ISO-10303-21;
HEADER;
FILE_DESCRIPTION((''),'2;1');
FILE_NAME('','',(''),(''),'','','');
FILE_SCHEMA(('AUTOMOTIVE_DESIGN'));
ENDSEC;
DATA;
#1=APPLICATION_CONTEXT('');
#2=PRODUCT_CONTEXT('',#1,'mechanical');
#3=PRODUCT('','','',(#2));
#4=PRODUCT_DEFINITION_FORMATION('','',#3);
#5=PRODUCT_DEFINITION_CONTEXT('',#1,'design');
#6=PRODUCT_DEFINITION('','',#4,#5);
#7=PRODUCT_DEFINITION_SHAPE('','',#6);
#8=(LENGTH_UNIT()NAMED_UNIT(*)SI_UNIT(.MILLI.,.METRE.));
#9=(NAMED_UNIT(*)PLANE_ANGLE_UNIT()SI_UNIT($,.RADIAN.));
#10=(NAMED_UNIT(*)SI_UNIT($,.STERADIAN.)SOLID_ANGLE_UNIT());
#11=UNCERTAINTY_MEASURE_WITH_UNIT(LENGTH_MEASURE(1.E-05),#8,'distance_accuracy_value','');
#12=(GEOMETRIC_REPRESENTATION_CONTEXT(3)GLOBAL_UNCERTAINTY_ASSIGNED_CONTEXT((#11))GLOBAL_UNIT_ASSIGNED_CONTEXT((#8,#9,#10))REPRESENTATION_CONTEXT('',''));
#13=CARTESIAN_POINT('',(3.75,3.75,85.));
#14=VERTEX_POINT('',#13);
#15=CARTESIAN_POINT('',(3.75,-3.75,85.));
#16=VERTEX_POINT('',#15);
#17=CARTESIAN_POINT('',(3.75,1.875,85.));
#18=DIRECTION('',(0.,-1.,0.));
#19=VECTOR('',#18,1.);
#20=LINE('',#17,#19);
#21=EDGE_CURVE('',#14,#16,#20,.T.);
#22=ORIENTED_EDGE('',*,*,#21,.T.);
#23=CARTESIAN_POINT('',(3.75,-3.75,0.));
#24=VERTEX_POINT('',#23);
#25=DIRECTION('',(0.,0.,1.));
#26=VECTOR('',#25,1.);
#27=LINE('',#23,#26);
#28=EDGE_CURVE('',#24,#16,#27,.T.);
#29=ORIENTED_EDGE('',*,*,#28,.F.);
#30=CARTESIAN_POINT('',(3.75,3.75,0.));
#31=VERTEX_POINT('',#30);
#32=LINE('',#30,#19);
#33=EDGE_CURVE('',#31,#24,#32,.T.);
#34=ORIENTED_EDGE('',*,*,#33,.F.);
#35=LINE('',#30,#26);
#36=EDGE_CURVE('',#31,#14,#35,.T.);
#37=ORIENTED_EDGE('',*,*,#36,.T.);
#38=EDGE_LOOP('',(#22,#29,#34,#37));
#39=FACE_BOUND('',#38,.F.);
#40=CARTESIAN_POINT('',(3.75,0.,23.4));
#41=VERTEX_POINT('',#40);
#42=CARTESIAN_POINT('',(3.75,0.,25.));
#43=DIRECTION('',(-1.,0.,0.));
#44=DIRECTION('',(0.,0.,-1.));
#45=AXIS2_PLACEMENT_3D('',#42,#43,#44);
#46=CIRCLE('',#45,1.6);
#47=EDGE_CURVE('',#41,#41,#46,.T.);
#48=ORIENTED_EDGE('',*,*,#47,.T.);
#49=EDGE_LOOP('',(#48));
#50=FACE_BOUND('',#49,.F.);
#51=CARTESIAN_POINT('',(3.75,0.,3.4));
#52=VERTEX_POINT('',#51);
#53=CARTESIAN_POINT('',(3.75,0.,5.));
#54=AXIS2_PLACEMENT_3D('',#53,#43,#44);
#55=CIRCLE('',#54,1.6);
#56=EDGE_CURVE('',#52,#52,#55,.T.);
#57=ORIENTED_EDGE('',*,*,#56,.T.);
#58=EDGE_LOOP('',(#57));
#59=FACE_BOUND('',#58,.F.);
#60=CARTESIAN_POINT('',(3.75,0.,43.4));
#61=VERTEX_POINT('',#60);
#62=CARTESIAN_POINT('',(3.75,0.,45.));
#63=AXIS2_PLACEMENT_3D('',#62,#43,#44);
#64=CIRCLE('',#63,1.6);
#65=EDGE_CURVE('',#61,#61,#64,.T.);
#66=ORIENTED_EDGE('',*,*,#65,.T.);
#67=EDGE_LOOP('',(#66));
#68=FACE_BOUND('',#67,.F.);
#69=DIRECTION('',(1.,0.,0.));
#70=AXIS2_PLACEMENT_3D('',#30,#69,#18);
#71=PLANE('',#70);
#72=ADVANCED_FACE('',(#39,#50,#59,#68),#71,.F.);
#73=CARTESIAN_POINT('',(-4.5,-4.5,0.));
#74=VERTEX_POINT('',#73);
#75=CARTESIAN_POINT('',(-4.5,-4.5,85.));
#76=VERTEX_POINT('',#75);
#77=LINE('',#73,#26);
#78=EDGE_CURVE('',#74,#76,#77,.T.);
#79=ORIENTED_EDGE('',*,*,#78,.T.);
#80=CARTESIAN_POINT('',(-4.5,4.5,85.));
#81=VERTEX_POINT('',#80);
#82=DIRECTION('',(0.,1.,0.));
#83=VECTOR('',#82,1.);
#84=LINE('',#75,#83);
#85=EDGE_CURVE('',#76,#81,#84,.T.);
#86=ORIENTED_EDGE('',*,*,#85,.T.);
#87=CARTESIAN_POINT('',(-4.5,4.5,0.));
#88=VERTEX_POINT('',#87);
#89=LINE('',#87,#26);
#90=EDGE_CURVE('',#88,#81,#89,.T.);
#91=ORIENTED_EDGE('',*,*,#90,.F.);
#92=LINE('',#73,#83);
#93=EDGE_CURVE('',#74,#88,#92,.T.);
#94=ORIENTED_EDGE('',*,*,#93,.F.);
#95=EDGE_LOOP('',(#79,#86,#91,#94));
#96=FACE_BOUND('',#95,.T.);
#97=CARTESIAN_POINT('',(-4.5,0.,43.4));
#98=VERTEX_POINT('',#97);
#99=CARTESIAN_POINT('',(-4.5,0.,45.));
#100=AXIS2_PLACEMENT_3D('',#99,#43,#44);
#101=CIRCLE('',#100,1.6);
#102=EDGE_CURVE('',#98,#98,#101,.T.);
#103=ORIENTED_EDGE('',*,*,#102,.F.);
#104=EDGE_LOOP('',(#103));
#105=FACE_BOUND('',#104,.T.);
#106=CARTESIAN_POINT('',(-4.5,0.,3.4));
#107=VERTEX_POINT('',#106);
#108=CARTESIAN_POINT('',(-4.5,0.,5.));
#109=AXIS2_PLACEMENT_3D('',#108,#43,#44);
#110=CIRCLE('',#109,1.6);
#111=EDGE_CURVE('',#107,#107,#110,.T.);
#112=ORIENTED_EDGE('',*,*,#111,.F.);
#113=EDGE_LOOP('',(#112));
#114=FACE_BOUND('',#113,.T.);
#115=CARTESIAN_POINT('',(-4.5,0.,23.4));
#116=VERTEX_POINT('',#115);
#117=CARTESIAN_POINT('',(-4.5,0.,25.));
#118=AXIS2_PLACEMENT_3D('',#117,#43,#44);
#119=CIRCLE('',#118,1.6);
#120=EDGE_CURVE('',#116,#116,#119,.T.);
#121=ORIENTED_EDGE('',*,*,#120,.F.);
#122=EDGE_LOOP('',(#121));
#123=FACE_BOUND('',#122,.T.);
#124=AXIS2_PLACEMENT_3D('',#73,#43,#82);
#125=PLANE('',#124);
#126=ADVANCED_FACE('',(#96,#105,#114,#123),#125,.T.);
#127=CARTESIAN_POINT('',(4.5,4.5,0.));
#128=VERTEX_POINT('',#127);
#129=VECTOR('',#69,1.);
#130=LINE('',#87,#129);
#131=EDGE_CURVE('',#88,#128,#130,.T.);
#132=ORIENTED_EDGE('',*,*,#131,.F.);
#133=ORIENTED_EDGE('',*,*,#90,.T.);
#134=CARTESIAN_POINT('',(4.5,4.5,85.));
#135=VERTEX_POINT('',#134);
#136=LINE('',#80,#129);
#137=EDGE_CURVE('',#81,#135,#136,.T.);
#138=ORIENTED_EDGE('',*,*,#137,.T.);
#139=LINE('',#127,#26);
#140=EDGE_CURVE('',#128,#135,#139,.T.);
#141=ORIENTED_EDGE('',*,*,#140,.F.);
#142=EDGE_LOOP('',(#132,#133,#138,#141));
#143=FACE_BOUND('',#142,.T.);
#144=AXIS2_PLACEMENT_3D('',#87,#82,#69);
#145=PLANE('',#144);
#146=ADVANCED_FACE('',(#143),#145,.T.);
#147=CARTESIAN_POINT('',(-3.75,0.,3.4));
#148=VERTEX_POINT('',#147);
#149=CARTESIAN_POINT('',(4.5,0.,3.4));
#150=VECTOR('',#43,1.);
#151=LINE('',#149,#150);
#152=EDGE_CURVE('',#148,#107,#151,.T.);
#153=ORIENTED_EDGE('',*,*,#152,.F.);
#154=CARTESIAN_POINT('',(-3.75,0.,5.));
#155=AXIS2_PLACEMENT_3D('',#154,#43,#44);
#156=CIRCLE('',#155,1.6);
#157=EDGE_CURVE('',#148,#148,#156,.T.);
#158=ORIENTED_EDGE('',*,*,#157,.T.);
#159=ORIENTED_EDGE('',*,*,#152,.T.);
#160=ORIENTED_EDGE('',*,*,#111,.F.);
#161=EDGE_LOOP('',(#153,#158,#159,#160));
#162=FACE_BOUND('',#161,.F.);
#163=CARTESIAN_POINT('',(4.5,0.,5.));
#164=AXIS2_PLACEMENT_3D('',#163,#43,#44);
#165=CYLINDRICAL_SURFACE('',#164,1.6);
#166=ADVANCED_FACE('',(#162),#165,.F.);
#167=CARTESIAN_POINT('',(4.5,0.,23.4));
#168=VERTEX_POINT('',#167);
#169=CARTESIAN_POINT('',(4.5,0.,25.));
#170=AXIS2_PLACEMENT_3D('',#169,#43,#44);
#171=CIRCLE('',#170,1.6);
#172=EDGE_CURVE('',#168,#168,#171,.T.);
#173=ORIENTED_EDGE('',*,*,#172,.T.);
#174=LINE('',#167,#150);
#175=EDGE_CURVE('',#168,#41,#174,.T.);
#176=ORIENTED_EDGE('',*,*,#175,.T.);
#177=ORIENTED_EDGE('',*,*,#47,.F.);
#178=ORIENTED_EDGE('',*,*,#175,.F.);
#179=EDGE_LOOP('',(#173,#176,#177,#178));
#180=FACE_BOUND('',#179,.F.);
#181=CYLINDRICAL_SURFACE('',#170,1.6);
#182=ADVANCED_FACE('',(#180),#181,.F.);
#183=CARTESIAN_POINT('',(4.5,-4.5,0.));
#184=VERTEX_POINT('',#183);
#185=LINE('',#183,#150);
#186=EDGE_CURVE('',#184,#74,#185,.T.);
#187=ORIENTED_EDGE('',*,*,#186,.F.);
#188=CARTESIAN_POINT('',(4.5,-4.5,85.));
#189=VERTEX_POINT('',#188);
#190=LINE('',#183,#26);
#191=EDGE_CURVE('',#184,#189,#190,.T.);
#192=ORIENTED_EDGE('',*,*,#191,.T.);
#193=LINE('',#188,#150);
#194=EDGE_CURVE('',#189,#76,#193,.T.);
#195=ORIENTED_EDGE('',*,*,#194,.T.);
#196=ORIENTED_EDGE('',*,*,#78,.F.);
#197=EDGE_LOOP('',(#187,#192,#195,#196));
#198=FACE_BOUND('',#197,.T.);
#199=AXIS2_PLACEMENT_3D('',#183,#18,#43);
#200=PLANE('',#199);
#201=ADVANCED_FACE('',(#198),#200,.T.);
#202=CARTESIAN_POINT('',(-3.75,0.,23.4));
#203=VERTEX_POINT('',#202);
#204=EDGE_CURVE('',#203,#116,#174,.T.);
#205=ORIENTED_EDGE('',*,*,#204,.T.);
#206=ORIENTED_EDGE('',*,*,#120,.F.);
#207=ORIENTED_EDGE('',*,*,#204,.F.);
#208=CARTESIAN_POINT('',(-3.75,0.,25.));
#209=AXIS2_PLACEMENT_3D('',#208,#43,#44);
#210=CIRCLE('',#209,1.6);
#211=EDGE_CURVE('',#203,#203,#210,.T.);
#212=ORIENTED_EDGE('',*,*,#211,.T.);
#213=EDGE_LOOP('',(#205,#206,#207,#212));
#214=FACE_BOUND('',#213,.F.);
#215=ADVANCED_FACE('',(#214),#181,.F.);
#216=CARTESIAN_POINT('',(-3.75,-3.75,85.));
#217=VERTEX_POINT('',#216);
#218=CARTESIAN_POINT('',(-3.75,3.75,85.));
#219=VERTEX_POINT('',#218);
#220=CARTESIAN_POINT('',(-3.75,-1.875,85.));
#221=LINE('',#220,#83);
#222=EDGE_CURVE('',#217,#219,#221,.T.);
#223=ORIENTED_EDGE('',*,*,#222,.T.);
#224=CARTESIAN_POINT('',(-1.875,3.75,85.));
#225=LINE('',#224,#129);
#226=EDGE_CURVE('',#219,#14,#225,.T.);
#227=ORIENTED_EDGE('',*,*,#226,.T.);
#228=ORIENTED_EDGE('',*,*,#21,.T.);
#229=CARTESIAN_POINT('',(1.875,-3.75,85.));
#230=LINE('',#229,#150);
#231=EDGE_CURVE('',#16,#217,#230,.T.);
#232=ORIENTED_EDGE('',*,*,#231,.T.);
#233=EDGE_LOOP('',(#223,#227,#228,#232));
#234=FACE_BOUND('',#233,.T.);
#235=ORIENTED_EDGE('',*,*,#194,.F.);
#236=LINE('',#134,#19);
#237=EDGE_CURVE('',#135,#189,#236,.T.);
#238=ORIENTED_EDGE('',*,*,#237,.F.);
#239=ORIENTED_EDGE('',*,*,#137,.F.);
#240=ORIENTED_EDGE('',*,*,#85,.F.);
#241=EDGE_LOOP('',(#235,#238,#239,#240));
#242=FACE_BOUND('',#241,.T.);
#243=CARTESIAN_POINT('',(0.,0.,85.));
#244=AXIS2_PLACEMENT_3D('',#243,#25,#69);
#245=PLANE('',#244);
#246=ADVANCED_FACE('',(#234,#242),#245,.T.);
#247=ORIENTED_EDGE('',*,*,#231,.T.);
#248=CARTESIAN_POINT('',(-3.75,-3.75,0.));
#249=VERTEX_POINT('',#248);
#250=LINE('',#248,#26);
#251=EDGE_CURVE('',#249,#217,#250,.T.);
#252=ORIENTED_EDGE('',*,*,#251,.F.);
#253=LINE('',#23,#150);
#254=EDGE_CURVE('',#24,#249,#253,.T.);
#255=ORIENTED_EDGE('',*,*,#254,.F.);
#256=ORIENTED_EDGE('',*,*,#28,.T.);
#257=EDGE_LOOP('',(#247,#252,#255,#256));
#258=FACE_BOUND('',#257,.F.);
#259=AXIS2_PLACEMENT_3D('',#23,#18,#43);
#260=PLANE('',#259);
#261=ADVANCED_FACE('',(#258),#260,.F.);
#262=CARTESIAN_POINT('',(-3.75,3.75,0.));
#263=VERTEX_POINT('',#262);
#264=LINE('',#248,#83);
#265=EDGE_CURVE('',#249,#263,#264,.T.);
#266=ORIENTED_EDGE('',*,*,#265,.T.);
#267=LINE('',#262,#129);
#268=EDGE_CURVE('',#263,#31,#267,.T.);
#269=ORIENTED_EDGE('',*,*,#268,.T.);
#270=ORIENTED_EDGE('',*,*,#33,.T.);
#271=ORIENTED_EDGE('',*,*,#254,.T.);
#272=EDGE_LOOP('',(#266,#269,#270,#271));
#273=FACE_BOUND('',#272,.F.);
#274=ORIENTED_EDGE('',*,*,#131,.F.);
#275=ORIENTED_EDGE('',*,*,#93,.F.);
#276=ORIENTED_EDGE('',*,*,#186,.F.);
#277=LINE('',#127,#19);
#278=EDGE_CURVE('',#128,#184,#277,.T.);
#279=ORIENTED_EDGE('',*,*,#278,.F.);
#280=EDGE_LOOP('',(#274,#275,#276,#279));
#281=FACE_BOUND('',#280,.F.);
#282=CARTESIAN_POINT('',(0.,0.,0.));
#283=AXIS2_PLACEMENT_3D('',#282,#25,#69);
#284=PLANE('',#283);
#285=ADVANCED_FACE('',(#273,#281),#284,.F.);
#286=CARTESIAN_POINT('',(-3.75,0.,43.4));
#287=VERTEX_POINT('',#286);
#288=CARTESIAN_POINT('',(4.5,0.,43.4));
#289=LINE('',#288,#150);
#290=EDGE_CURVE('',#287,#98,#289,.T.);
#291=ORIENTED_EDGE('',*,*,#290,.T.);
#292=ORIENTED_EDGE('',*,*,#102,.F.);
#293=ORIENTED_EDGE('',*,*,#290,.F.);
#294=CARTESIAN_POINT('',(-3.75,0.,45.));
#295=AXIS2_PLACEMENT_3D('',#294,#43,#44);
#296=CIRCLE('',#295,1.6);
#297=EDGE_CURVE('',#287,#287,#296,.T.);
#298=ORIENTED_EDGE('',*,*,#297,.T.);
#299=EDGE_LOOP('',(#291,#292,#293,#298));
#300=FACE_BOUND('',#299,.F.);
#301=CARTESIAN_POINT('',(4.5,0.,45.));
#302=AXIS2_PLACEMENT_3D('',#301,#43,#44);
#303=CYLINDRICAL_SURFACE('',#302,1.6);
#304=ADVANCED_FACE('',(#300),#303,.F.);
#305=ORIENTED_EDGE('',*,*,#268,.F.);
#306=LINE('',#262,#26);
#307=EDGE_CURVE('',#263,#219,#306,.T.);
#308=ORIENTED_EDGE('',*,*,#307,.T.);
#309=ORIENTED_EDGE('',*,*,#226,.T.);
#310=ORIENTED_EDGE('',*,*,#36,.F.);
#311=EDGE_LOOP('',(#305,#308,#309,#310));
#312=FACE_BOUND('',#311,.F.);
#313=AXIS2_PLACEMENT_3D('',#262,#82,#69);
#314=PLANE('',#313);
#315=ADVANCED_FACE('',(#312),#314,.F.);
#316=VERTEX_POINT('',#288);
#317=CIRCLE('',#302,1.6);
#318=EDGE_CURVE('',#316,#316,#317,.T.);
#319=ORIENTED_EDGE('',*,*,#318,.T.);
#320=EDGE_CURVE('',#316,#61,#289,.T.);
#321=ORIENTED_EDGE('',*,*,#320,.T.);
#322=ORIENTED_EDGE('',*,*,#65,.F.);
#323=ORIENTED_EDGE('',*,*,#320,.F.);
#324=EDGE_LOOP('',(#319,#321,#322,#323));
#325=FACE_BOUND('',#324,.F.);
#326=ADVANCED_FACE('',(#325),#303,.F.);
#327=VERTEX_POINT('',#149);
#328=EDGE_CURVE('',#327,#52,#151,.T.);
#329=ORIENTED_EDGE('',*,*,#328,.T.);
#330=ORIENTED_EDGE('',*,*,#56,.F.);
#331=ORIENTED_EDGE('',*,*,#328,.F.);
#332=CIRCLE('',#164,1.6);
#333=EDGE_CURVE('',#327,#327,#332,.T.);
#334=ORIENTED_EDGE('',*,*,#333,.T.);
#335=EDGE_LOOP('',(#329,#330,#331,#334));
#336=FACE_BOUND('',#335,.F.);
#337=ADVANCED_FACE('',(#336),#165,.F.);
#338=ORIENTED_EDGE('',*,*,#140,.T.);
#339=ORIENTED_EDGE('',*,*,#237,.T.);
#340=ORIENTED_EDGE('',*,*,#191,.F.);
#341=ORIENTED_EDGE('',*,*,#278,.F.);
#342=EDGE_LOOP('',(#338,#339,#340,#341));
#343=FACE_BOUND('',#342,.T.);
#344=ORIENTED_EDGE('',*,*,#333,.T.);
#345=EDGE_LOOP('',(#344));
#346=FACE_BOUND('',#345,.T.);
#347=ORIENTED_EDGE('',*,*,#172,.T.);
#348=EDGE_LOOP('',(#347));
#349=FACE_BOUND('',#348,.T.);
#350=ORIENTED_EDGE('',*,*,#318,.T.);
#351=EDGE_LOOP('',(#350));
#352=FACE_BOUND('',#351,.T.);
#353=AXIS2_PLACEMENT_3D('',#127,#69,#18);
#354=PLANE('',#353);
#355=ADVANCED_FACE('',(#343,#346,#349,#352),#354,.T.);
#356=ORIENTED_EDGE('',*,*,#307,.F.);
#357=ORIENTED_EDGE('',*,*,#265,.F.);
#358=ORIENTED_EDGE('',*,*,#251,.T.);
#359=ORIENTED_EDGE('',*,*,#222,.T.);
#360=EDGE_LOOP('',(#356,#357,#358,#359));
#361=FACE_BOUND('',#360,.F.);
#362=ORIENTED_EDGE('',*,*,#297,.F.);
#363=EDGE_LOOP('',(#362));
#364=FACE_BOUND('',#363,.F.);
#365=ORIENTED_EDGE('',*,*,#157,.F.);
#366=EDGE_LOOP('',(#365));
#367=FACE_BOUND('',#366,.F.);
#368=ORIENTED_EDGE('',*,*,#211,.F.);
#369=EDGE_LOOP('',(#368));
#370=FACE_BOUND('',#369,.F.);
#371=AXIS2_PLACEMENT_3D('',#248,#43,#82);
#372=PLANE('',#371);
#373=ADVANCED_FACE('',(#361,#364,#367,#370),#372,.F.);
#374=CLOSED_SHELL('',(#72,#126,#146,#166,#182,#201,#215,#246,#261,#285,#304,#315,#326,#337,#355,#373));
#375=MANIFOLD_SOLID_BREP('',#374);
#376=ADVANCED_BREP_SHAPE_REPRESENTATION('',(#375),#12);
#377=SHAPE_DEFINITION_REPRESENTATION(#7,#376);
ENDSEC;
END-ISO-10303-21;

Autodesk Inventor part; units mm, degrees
ref_plane "YZ Plane" through (0, 0, 0) normal (1, 0, 0) x (0, 1, 0)
ref_plane "XZ Plane" through (0, 0, 0) normal (0, 1, 0) x (-1, 0, 0)
ref_plane "XY Plane" through (0, 0, 0) normal (0, 0, 1) x (1, 0, 0)
sketch "スケッチ1" plane through (0, 0, 0) normal (0, 0, 1) x (1, 0, 0)
  line L0 (4.5, -4.5) -> (-4.5, -4.5)
  line L1 (-4.5, -4.5) -> (-4.5, 4.5)
  line L2 (-4.5, 4.5) -> (4.5, 4.5)
  line L3 (4.5, 4.5) -> (4.5, -4.5)
  line L4 (4.5, -4.5) -> (-4.5, 4.5) construction
  line L5 (-4.5, -4.5) -> (4.5, 4.5) construction
  line L6 (3.75, -3.75) -> (-3.75, -3.75)
  line L7 (-3.75, -3.75) -> (-3.75, 3.75)
  line L8 (-3.75, 3.75) -> (3.75, 3.75)
  line L9 (3.75, 3.75) -> (3.75, -3.75)
  line L10 (3.75, -3.75) -> (-3.75, 3.75) construction
  line L11 (-3.75, -3.75) -> (3.75, 3.75) construction
  point P0 (0, 0)
  dimension "d0" = 9
  dimension "d1" = 9
  dimension "d2" = 7.5
  dimension "d3" = 7.5
extrude "押し出し1" add sketch "スケッチ1" along normal blind 90
sketch "スケッチ2" plane through (4.5, -4.5, 0) normal (1, 0, 0) x (0, 0, -1)
  line L0 (0, 0) -> (-90, 0) projected
  line L1 (0, 0) -> (0, 9) projected
  point P0 (0, 4.5)
  point P1 (-5, 4.5)
  point P2 (-25, 4.5)
  point P3 (-45, 4.5)
  dimension "d6" = 4.5
  dimension "d7" = 5
  dimension "d8" = 20
  dimension "d9" = 20
hole "穴1" at (4.5, 0, 5) at (4.5, 0, 25) at (4.5, 0, 45) direction (-1, 0, 0) diameter 3.2 end through all
sketch "スケッチ3" plane through (0, 0, 90) normal (0, 0, 1) x (1, 0, 0)
  line L0 (4.5, -4.5) -> (-4.5, -4.5)
  line L1 (-4.5, -4.5) -> (-4.5, 4.5)
  line L2 (-4.5, 4.5) -> (4.5, 4.5)
  line L3 (4.5, 4.5) -> (4.5, -4.5)
  line L4 (4.5, -4.5) -> (-4.5, 4.5) construction
  line L5 (-4.5, -4.5) -> (4.5, 4.5) construction
  point P0 (0, 0)
extrude "押し出し2" cut sketch "スケッチ3" against normal blind 5
properties part number "squareEx1"
